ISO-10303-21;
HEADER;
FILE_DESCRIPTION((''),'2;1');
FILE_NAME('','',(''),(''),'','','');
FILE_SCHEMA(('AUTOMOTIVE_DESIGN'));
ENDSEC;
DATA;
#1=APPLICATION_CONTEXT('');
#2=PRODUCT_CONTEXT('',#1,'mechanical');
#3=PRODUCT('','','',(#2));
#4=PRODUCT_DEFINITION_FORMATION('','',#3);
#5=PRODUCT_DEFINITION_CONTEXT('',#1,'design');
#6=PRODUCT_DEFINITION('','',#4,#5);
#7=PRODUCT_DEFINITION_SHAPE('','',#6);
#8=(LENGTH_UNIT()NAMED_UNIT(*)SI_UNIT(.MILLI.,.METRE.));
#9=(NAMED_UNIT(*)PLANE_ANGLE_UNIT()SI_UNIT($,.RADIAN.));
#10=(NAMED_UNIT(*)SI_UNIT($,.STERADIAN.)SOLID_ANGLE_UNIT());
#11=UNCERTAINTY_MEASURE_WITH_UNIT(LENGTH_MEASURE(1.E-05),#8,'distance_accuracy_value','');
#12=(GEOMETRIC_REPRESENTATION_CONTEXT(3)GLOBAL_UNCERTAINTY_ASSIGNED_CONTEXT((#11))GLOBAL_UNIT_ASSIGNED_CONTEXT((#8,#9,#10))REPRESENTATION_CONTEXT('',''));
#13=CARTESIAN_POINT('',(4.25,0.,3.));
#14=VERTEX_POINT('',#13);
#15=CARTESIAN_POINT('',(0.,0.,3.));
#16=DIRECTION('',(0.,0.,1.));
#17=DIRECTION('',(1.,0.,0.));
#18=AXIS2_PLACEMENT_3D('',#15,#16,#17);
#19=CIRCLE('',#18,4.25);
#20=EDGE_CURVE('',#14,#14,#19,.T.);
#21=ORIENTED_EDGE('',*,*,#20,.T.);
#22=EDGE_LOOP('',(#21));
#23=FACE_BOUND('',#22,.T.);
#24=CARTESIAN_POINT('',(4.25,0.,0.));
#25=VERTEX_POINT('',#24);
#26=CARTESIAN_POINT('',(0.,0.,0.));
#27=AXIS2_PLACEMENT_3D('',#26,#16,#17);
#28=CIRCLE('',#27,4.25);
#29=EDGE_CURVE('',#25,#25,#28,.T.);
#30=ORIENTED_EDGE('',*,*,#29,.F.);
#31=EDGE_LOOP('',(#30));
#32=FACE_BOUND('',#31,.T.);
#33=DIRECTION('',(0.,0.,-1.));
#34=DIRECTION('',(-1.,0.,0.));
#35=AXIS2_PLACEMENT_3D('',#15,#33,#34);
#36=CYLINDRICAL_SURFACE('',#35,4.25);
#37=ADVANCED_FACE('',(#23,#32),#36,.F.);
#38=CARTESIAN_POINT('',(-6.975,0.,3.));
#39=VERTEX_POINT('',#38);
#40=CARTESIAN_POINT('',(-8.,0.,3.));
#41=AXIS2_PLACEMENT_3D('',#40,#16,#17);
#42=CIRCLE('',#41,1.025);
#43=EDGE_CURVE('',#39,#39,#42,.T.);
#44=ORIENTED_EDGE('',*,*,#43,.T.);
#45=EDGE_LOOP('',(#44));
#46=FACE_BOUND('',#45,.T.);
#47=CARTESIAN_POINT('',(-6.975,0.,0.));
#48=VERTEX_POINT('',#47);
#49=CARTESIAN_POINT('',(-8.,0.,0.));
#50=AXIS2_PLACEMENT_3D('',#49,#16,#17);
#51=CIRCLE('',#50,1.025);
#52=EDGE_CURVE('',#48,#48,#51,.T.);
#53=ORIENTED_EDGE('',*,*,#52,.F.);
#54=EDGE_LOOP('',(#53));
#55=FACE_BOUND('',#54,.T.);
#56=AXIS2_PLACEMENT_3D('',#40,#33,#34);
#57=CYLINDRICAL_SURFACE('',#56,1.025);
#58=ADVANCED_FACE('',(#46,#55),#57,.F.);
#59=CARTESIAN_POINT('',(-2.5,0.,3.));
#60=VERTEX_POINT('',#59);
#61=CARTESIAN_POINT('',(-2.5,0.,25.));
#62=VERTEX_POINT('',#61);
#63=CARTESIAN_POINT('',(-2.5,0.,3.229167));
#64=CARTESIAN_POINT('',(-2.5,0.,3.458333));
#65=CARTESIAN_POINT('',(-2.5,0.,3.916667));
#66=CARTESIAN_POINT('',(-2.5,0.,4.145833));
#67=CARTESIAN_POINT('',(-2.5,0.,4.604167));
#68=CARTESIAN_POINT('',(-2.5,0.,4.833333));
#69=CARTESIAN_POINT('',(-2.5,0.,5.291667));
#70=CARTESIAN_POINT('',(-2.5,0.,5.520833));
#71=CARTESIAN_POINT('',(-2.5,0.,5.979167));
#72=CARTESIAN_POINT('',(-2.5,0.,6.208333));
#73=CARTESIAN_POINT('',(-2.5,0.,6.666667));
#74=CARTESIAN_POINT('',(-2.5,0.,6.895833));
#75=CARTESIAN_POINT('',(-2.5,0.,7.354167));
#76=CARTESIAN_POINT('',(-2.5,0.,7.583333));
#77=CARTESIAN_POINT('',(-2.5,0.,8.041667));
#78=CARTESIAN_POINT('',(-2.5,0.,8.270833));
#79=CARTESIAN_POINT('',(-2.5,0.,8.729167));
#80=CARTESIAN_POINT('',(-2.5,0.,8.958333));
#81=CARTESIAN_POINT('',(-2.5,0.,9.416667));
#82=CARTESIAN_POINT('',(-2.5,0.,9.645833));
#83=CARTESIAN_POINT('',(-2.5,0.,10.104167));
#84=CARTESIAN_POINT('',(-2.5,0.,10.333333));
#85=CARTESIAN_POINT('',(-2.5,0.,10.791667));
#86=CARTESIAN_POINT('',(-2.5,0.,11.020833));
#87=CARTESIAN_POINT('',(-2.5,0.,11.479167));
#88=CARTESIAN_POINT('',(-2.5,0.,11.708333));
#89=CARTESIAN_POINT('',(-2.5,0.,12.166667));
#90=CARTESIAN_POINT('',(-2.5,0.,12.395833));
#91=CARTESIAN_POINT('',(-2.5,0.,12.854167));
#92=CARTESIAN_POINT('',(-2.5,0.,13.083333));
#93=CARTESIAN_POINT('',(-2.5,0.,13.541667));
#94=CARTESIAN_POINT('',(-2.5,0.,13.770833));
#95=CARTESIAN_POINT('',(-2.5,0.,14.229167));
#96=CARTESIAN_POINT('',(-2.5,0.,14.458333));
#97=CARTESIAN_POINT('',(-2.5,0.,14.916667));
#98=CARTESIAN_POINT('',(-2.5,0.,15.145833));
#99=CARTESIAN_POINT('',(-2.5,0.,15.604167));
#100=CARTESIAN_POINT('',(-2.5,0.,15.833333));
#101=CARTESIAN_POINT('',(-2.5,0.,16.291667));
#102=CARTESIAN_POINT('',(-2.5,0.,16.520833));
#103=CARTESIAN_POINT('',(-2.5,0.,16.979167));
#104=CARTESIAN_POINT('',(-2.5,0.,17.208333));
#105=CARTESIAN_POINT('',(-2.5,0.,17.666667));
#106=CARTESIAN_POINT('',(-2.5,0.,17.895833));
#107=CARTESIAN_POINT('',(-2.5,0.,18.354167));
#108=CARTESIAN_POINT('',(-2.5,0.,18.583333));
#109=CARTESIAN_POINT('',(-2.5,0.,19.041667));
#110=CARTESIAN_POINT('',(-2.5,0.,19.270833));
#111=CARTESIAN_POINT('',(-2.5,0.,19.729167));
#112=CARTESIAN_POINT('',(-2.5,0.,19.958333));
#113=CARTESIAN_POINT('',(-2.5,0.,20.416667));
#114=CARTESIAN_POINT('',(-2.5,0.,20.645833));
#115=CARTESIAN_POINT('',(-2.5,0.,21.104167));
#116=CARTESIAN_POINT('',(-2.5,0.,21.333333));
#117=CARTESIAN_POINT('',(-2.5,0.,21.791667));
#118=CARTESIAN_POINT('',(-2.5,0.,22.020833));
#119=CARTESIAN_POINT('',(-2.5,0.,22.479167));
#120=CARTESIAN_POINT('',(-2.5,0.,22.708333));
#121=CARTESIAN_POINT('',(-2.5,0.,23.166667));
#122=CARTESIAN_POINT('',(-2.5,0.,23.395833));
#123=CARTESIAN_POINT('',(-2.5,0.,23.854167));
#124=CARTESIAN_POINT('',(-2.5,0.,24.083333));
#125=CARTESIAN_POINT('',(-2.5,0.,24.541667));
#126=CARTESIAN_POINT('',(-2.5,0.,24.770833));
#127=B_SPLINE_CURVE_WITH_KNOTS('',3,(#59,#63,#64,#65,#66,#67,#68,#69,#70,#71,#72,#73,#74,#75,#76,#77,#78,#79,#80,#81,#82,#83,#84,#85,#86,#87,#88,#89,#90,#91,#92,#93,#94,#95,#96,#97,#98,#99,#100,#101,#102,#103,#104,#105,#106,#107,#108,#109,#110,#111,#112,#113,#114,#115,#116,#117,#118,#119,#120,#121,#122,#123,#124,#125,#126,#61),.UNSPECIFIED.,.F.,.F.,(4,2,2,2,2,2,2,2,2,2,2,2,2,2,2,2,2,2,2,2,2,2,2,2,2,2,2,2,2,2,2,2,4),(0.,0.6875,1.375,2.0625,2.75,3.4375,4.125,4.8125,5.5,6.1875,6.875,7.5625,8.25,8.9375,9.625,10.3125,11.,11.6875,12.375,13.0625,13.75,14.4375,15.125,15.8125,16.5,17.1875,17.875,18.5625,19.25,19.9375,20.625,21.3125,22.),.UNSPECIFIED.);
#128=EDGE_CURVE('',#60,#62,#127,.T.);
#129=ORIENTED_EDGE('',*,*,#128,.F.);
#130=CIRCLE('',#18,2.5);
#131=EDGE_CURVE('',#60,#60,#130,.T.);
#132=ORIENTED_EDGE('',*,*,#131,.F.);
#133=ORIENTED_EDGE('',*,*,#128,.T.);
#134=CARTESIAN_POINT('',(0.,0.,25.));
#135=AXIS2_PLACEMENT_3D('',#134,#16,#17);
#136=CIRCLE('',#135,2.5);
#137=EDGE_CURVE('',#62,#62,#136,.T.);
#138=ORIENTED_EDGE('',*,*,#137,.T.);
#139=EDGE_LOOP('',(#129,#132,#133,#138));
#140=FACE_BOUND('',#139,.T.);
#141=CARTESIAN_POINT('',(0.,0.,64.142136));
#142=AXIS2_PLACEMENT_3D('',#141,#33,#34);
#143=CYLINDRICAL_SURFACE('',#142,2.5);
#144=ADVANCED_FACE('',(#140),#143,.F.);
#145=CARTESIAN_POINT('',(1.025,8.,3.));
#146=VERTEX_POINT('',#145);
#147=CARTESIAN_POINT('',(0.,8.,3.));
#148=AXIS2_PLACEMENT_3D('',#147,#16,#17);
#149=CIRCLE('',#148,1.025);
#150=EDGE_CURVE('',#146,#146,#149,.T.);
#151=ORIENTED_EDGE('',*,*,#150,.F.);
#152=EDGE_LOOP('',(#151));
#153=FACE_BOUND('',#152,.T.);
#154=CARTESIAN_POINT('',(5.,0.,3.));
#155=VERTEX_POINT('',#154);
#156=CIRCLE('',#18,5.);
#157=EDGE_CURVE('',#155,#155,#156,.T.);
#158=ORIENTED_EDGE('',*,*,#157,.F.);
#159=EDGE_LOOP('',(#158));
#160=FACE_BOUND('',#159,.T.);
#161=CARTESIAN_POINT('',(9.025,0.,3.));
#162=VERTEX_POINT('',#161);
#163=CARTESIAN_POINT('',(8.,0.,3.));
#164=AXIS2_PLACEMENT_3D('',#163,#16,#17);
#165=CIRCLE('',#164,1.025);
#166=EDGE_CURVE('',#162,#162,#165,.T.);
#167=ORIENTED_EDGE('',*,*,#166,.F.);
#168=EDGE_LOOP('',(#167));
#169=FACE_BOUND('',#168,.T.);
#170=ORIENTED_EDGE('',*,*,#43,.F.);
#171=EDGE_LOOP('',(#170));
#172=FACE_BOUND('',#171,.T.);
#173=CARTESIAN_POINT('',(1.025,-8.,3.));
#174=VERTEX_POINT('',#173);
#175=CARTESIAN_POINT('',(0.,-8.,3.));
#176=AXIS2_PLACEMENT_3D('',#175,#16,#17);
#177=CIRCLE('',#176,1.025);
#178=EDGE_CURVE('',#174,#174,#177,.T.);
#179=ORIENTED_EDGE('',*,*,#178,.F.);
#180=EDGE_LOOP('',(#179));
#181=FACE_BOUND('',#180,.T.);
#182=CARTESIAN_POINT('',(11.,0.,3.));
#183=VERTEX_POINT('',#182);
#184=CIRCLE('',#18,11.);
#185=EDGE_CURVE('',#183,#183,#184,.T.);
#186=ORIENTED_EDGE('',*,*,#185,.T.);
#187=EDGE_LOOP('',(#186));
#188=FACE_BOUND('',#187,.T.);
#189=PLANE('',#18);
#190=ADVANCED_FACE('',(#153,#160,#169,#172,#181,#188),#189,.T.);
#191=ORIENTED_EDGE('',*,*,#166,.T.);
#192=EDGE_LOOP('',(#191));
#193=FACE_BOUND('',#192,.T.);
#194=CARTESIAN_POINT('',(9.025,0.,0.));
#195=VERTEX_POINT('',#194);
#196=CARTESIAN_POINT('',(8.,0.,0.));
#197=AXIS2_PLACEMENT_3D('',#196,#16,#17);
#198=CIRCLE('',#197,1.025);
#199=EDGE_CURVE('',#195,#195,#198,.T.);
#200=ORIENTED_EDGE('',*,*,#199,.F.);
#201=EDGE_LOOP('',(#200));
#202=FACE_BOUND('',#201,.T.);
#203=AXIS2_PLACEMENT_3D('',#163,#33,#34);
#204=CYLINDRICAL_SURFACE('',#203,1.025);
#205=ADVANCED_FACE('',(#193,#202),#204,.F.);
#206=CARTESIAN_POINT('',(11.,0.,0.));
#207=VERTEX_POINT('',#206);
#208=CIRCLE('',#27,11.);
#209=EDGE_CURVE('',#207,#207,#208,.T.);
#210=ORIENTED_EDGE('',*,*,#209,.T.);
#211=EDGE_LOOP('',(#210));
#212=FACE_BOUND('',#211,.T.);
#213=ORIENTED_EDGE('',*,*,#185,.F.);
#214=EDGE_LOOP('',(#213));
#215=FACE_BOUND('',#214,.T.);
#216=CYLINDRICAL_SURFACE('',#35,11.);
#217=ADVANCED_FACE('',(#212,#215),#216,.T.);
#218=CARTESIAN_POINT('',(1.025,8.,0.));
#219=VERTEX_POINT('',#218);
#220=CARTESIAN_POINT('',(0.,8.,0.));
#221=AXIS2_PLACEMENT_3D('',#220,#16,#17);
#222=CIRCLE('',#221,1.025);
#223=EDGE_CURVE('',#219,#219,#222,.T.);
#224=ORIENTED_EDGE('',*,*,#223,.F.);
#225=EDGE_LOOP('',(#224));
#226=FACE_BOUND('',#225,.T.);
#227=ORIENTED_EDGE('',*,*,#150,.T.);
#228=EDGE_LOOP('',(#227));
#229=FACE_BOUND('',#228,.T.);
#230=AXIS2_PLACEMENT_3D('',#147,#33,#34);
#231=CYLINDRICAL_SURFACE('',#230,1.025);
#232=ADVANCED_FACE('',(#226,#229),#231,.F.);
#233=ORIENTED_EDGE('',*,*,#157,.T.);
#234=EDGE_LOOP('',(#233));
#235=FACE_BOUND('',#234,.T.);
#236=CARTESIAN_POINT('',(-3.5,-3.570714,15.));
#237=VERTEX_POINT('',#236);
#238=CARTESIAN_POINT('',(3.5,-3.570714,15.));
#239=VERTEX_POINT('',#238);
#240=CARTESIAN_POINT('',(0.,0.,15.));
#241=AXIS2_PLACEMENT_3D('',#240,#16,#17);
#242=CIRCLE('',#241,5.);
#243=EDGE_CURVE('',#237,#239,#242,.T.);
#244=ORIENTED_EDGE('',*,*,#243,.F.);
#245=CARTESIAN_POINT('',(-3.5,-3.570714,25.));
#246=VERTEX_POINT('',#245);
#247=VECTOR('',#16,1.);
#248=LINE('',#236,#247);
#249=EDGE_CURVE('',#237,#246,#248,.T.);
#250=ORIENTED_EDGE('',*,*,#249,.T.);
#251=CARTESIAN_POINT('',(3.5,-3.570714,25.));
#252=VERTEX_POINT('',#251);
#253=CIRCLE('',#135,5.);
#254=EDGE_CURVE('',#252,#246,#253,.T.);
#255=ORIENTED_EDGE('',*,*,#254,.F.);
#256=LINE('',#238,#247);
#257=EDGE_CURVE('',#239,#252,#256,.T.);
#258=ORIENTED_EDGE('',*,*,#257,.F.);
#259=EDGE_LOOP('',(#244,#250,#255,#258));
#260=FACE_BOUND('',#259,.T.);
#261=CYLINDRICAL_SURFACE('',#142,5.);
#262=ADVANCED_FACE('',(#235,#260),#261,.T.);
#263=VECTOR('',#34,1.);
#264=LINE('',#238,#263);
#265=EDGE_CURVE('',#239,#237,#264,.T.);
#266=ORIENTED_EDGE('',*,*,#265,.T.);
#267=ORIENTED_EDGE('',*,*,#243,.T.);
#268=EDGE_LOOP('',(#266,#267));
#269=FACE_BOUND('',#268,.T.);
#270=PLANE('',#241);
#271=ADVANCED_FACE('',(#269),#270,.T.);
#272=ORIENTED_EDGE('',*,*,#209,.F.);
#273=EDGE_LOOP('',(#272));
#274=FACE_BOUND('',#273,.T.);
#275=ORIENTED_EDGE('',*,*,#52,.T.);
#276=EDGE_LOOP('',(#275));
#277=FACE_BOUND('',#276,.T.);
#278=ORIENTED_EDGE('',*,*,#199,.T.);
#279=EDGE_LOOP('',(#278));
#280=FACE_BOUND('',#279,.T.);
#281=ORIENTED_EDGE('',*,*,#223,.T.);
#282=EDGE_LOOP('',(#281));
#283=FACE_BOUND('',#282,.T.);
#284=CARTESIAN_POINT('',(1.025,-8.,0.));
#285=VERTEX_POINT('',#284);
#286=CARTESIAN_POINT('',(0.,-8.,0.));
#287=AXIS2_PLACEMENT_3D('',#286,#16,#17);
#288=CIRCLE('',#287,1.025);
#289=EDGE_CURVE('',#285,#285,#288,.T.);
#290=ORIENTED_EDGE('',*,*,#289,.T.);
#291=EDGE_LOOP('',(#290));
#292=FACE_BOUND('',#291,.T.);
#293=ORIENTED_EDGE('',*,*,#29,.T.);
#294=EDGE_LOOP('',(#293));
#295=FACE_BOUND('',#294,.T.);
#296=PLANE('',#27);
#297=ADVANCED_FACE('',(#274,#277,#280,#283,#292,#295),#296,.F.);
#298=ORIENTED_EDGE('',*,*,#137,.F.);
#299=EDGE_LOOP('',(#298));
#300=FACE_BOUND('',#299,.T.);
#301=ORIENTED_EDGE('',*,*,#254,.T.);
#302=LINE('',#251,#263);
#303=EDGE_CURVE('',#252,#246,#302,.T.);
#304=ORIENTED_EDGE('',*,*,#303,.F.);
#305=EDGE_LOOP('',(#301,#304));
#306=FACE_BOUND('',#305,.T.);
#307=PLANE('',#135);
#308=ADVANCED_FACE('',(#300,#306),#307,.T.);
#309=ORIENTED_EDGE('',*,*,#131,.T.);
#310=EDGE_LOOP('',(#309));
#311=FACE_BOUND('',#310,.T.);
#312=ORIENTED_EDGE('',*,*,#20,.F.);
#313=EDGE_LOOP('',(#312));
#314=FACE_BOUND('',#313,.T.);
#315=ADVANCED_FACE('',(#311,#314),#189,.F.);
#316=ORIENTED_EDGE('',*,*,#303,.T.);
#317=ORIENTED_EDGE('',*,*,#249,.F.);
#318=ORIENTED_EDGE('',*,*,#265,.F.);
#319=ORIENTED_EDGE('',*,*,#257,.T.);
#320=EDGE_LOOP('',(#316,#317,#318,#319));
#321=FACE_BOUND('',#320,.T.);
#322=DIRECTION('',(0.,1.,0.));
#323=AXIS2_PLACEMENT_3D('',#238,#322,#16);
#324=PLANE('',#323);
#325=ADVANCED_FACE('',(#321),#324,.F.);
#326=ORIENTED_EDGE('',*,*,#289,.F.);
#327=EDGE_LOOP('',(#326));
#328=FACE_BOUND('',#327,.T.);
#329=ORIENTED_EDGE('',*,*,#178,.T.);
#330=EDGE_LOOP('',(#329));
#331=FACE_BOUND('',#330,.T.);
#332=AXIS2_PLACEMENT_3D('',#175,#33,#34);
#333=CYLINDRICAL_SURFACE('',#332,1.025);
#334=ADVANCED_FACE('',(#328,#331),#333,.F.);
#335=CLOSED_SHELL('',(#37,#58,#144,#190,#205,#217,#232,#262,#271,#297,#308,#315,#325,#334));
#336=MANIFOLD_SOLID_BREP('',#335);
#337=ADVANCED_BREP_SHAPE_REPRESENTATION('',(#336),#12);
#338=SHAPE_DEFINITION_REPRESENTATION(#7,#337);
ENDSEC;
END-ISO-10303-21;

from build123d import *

# Parameters (mm, degrees)
SKETCH1_R           = 11
SKETCH1_R_2         = 1.025
SKETCH1_R_3         = 4.25
BOSS_EXTRUDE1_DEPTH = 3
SKETCH2_R           = 5
SKETCH2_R_2         = 2.5
BOSS_EXTRUDE2_DEPTH = 22
CUT_EXTRUDE1_START  = -10
CUT_EXTRUDE1_DEPTH  = 10


with BuildPart() as part:
    # Sketch1 → Boss-Extrude1 (new body)
    with BuildSketch(Plane(origin=(0, 0, 0), x_dir=(0, 1, 0), z_dir=(0, 0, 1))):
        with Locations(Location((0, 0, 0), (0, 0, 270))):
            Circle(SKETCH1_R)
        with Locations(Location((0, 8, 0), (0, 0, 270))):
            Circle(SKETCH1_R_2, mode=Mode.SUBTRACT)
        with Locations(Location((0, 0, 0), (0, 0, 270))):
            Circle(SKETCH1_R_3, mode=Mode.SUBTRACT)
        with Locations(Location((8, 0, 0), (0, 0, 270))):
            Circle(SKETCH1_R_2, mode=Mode.SUBTRACT)
        with Locations(Location((0, -8, 0), (0, 0, 270))):
            Circle(SKETCH1_R_2, mode=Mode.SUBTRACT)
        with Locations(Location((-8, 0, 0), (0, 0, 270))):
            Circle(SKETCH1_R_2, mode=Mode.SUBTRACT)
    extrude(amount=BOSS_EXTRUDE1_DEPTH)

    # Sketch2 → Boss-Extrude2 (add)
    with BuildSketch(Plane.XY.offset(3)):
        with Locations(Location((0, 0, 0), (0, 0, 180))):
            Circle(SKETCH2_R)
        with Locations(Location((0, 0, 0), (0, 0, 180))):
            Circle(SKETCH2_R_2, mode=Mode.SUBTRACT)
    extrude(amount=BOSS_EXTRUDE2_DEPTH)

    # Sketch3 → Cut-Extrude1 (cut)
    with BuildSketch(Plane.XY.offset(25).offset(CUT_EXTRUDE1_START)):
        with BuildLine():
            Line((3.5, -3.570714214), (-3.5, -3.570714214))
            ThreePointArc((-3.5, -3.570714214), (0, -5), (3.5, -3.570714214))
        make_face()
    extrude(amount=CUT_EXTRUDE1_DEPTH, mode=Mode.SUBTRACT)


solid = part.part
